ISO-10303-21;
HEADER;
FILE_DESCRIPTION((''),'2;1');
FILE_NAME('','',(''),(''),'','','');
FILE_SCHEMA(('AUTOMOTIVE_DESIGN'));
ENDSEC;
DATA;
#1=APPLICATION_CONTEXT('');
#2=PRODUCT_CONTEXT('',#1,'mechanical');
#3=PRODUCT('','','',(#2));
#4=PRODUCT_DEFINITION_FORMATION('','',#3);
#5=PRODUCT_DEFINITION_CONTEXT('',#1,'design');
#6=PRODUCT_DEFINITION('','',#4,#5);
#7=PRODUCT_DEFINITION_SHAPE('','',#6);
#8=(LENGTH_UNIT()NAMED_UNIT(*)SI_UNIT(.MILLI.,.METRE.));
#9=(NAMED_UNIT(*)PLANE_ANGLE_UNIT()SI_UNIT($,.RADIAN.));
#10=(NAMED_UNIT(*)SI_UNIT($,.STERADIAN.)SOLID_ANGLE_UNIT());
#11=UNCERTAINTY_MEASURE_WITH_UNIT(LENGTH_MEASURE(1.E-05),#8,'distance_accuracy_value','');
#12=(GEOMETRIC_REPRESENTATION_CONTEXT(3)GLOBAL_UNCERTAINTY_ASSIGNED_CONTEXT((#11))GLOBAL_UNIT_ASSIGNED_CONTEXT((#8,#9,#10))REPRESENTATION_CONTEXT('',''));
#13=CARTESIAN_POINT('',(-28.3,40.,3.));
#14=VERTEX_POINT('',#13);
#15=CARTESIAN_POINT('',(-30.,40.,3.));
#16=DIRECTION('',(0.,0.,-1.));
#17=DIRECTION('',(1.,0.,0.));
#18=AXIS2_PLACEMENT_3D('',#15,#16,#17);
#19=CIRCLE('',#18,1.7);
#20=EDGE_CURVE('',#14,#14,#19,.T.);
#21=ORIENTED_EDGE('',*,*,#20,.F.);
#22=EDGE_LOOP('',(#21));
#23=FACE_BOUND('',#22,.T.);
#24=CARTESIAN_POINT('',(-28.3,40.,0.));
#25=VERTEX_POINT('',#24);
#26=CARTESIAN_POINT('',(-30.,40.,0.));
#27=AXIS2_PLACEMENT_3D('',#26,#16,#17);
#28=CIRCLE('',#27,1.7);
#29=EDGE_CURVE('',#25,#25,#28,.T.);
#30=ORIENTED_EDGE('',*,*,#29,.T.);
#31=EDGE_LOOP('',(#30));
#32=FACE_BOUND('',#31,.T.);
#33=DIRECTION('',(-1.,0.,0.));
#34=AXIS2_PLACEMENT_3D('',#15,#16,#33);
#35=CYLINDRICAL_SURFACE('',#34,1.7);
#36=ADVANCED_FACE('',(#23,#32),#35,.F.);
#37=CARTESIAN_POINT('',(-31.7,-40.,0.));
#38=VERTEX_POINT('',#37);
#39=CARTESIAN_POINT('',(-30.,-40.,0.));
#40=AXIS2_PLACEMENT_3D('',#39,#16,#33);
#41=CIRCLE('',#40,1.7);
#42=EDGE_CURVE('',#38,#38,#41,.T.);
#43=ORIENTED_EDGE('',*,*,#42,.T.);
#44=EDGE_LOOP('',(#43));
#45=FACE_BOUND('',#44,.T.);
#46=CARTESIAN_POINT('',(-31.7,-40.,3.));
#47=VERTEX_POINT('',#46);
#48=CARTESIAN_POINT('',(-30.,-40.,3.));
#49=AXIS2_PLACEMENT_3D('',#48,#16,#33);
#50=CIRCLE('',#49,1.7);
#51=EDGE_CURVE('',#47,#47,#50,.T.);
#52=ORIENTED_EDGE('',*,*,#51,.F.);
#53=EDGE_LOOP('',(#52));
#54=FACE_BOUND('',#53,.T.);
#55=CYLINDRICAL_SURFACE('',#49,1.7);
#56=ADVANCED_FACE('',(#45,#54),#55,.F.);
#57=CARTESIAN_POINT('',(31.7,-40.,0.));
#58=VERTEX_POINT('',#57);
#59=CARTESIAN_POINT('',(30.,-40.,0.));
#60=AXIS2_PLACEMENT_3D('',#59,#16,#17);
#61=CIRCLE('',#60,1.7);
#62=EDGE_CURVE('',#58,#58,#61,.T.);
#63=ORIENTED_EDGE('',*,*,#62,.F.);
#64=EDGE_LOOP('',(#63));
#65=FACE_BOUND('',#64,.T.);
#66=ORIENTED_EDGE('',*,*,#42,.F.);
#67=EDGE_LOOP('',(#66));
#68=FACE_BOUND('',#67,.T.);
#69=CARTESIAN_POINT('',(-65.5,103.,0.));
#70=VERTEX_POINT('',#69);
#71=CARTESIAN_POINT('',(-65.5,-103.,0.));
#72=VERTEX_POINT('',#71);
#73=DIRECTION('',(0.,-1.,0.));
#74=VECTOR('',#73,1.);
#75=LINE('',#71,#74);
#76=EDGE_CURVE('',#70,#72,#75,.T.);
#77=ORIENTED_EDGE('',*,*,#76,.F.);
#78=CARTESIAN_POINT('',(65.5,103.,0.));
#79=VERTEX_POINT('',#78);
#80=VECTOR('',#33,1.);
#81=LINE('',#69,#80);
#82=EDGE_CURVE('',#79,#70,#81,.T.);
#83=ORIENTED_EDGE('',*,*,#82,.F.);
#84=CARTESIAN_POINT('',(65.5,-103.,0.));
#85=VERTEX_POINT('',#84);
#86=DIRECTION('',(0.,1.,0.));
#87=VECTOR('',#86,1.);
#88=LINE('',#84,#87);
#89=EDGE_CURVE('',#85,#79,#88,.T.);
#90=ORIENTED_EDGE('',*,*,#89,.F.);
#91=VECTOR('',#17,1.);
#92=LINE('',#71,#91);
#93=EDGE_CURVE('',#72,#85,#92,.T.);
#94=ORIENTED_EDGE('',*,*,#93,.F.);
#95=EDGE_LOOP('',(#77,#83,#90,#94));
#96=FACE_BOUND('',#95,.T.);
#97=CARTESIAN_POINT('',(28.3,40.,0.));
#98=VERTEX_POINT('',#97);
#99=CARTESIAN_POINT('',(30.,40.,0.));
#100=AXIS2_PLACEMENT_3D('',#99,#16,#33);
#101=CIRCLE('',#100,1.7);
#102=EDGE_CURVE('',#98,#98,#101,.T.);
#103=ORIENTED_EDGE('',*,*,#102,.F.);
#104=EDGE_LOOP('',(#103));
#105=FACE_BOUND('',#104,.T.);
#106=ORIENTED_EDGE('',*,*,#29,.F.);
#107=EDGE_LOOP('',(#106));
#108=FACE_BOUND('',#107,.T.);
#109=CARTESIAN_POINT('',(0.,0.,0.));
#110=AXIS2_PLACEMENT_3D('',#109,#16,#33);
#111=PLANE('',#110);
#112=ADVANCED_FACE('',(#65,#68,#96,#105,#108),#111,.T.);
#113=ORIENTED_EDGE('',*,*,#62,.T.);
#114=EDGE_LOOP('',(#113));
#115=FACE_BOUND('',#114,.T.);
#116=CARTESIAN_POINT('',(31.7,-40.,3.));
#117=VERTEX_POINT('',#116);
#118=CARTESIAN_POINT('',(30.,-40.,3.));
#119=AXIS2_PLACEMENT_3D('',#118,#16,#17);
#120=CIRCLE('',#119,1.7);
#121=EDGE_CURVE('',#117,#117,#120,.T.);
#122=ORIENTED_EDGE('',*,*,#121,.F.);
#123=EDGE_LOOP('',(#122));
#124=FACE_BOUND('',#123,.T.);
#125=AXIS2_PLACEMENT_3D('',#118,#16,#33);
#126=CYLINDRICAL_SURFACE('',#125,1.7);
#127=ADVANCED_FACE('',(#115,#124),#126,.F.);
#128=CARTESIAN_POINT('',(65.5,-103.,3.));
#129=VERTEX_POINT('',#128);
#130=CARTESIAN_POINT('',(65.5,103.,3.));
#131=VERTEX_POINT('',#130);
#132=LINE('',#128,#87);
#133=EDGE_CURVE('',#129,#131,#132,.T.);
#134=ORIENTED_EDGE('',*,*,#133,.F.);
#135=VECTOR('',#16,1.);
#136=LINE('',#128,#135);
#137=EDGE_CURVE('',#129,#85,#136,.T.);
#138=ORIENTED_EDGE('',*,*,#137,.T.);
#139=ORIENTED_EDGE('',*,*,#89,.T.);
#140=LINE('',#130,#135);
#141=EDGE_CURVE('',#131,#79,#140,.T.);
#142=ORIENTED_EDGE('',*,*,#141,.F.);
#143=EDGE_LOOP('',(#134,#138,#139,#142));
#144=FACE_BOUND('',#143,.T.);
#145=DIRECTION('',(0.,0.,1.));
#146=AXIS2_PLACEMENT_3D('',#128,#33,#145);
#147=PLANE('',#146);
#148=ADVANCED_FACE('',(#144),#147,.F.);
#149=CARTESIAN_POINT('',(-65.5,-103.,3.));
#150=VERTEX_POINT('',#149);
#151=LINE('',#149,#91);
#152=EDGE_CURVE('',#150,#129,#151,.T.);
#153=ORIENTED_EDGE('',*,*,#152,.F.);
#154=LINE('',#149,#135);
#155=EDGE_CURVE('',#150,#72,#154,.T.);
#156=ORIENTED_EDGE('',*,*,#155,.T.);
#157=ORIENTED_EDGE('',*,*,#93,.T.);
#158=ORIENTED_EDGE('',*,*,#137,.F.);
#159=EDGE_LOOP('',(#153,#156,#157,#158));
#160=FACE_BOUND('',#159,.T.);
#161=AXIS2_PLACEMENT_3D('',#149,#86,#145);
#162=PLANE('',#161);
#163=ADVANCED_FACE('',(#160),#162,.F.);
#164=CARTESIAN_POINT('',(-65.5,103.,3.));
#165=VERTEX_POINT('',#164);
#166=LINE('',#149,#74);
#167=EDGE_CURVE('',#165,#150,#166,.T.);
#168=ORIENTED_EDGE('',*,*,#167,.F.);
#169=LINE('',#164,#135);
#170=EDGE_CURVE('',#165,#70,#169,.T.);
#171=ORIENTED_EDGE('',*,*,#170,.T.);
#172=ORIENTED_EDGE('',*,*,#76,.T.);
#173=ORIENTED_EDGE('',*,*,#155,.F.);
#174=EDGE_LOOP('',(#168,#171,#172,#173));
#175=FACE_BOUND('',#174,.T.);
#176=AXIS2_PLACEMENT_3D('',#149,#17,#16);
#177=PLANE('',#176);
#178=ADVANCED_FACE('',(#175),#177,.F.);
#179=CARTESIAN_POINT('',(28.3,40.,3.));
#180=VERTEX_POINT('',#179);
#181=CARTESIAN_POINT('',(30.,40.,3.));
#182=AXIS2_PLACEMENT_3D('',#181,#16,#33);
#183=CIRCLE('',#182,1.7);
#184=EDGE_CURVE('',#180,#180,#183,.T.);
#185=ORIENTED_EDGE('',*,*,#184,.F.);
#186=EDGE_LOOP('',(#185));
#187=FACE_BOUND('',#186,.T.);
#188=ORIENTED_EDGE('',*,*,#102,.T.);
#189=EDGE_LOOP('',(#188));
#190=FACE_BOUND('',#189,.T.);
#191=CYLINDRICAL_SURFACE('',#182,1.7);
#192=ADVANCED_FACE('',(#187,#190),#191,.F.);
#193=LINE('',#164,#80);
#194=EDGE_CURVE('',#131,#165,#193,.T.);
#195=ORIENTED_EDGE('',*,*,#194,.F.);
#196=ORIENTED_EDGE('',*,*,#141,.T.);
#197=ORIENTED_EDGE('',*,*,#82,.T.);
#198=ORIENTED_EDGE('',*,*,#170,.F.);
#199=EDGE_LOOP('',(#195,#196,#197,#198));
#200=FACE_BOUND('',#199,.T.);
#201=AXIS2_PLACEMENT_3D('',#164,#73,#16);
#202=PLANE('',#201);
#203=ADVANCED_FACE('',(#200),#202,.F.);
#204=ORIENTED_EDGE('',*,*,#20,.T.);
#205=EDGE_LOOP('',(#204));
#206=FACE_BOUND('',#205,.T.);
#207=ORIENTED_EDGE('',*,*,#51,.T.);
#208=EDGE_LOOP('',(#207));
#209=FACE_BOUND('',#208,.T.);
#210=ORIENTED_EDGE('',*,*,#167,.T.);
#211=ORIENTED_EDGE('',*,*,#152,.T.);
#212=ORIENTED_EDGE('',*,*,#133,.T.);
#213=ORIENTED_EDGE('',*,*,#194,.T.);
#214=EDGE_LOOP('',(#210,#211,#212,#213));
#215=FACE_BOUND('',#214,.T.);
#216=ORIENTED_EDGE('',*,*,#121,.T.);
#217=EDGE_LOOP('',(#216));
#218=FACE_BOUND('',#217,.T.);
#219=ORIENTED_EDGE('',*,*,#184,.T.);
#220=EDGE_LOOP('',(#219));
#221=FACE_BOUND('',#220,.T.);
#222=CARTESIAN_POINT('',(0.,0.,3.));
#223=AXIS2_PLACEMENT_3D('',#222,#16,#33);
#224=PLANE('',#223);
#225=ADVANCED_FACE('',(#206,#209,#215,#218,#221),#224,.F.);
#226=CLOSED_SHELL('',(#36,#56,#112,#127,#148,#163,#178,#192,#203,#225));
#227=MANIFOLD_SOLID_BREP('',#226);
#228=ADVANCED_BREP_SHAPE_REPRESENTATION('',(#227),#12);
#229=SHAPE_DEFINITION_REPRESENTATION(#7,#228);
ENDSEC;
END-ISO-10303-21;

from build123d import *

# Parameters (mm, degrees)
SKETCH2_W           = 131
SKETCH2_H           = 206
BOSS_EXTRUDE1_DEPTH = 3
SKETCH3_R           = 1.7
CUT_EXTRUDE1_DEPTH  = 3


with BuildPart() as part:
    # Sketch2 → Boss-Extrude1 (new body)
    with BuildSketch(Plane.XY):
        Rectangle(SKETCH2_W, SKETCH2_H)
    extrude(amount=BOSS_EXTRUDE1_DEPTH)

    # Sketch3 → Cut-Extrude1 (cut)
    with BuildSketch(Plane(origin=(0, 0, 0), x_dir=(-1, 0, 0), z_dir=(0, 0, -1))):
        with Locations((-30, 40)):
            Circle(SKETCH3_R)
        with Locations(Location((-30, -40, 0), (0, 0, 180))):
            Circle(SKETCH3_R)
        with Locations((30, -40)):
            Circle(SKETCH3_R)
        with Locations(Location((30, 40, 0), (0, 0, 180))):
            Circle(SKETCH3_R)
    extrude(amount=-CUT_EXTRUDE1_DEPTH, mode=Mode.SUBTRACT)


solid = part.part
